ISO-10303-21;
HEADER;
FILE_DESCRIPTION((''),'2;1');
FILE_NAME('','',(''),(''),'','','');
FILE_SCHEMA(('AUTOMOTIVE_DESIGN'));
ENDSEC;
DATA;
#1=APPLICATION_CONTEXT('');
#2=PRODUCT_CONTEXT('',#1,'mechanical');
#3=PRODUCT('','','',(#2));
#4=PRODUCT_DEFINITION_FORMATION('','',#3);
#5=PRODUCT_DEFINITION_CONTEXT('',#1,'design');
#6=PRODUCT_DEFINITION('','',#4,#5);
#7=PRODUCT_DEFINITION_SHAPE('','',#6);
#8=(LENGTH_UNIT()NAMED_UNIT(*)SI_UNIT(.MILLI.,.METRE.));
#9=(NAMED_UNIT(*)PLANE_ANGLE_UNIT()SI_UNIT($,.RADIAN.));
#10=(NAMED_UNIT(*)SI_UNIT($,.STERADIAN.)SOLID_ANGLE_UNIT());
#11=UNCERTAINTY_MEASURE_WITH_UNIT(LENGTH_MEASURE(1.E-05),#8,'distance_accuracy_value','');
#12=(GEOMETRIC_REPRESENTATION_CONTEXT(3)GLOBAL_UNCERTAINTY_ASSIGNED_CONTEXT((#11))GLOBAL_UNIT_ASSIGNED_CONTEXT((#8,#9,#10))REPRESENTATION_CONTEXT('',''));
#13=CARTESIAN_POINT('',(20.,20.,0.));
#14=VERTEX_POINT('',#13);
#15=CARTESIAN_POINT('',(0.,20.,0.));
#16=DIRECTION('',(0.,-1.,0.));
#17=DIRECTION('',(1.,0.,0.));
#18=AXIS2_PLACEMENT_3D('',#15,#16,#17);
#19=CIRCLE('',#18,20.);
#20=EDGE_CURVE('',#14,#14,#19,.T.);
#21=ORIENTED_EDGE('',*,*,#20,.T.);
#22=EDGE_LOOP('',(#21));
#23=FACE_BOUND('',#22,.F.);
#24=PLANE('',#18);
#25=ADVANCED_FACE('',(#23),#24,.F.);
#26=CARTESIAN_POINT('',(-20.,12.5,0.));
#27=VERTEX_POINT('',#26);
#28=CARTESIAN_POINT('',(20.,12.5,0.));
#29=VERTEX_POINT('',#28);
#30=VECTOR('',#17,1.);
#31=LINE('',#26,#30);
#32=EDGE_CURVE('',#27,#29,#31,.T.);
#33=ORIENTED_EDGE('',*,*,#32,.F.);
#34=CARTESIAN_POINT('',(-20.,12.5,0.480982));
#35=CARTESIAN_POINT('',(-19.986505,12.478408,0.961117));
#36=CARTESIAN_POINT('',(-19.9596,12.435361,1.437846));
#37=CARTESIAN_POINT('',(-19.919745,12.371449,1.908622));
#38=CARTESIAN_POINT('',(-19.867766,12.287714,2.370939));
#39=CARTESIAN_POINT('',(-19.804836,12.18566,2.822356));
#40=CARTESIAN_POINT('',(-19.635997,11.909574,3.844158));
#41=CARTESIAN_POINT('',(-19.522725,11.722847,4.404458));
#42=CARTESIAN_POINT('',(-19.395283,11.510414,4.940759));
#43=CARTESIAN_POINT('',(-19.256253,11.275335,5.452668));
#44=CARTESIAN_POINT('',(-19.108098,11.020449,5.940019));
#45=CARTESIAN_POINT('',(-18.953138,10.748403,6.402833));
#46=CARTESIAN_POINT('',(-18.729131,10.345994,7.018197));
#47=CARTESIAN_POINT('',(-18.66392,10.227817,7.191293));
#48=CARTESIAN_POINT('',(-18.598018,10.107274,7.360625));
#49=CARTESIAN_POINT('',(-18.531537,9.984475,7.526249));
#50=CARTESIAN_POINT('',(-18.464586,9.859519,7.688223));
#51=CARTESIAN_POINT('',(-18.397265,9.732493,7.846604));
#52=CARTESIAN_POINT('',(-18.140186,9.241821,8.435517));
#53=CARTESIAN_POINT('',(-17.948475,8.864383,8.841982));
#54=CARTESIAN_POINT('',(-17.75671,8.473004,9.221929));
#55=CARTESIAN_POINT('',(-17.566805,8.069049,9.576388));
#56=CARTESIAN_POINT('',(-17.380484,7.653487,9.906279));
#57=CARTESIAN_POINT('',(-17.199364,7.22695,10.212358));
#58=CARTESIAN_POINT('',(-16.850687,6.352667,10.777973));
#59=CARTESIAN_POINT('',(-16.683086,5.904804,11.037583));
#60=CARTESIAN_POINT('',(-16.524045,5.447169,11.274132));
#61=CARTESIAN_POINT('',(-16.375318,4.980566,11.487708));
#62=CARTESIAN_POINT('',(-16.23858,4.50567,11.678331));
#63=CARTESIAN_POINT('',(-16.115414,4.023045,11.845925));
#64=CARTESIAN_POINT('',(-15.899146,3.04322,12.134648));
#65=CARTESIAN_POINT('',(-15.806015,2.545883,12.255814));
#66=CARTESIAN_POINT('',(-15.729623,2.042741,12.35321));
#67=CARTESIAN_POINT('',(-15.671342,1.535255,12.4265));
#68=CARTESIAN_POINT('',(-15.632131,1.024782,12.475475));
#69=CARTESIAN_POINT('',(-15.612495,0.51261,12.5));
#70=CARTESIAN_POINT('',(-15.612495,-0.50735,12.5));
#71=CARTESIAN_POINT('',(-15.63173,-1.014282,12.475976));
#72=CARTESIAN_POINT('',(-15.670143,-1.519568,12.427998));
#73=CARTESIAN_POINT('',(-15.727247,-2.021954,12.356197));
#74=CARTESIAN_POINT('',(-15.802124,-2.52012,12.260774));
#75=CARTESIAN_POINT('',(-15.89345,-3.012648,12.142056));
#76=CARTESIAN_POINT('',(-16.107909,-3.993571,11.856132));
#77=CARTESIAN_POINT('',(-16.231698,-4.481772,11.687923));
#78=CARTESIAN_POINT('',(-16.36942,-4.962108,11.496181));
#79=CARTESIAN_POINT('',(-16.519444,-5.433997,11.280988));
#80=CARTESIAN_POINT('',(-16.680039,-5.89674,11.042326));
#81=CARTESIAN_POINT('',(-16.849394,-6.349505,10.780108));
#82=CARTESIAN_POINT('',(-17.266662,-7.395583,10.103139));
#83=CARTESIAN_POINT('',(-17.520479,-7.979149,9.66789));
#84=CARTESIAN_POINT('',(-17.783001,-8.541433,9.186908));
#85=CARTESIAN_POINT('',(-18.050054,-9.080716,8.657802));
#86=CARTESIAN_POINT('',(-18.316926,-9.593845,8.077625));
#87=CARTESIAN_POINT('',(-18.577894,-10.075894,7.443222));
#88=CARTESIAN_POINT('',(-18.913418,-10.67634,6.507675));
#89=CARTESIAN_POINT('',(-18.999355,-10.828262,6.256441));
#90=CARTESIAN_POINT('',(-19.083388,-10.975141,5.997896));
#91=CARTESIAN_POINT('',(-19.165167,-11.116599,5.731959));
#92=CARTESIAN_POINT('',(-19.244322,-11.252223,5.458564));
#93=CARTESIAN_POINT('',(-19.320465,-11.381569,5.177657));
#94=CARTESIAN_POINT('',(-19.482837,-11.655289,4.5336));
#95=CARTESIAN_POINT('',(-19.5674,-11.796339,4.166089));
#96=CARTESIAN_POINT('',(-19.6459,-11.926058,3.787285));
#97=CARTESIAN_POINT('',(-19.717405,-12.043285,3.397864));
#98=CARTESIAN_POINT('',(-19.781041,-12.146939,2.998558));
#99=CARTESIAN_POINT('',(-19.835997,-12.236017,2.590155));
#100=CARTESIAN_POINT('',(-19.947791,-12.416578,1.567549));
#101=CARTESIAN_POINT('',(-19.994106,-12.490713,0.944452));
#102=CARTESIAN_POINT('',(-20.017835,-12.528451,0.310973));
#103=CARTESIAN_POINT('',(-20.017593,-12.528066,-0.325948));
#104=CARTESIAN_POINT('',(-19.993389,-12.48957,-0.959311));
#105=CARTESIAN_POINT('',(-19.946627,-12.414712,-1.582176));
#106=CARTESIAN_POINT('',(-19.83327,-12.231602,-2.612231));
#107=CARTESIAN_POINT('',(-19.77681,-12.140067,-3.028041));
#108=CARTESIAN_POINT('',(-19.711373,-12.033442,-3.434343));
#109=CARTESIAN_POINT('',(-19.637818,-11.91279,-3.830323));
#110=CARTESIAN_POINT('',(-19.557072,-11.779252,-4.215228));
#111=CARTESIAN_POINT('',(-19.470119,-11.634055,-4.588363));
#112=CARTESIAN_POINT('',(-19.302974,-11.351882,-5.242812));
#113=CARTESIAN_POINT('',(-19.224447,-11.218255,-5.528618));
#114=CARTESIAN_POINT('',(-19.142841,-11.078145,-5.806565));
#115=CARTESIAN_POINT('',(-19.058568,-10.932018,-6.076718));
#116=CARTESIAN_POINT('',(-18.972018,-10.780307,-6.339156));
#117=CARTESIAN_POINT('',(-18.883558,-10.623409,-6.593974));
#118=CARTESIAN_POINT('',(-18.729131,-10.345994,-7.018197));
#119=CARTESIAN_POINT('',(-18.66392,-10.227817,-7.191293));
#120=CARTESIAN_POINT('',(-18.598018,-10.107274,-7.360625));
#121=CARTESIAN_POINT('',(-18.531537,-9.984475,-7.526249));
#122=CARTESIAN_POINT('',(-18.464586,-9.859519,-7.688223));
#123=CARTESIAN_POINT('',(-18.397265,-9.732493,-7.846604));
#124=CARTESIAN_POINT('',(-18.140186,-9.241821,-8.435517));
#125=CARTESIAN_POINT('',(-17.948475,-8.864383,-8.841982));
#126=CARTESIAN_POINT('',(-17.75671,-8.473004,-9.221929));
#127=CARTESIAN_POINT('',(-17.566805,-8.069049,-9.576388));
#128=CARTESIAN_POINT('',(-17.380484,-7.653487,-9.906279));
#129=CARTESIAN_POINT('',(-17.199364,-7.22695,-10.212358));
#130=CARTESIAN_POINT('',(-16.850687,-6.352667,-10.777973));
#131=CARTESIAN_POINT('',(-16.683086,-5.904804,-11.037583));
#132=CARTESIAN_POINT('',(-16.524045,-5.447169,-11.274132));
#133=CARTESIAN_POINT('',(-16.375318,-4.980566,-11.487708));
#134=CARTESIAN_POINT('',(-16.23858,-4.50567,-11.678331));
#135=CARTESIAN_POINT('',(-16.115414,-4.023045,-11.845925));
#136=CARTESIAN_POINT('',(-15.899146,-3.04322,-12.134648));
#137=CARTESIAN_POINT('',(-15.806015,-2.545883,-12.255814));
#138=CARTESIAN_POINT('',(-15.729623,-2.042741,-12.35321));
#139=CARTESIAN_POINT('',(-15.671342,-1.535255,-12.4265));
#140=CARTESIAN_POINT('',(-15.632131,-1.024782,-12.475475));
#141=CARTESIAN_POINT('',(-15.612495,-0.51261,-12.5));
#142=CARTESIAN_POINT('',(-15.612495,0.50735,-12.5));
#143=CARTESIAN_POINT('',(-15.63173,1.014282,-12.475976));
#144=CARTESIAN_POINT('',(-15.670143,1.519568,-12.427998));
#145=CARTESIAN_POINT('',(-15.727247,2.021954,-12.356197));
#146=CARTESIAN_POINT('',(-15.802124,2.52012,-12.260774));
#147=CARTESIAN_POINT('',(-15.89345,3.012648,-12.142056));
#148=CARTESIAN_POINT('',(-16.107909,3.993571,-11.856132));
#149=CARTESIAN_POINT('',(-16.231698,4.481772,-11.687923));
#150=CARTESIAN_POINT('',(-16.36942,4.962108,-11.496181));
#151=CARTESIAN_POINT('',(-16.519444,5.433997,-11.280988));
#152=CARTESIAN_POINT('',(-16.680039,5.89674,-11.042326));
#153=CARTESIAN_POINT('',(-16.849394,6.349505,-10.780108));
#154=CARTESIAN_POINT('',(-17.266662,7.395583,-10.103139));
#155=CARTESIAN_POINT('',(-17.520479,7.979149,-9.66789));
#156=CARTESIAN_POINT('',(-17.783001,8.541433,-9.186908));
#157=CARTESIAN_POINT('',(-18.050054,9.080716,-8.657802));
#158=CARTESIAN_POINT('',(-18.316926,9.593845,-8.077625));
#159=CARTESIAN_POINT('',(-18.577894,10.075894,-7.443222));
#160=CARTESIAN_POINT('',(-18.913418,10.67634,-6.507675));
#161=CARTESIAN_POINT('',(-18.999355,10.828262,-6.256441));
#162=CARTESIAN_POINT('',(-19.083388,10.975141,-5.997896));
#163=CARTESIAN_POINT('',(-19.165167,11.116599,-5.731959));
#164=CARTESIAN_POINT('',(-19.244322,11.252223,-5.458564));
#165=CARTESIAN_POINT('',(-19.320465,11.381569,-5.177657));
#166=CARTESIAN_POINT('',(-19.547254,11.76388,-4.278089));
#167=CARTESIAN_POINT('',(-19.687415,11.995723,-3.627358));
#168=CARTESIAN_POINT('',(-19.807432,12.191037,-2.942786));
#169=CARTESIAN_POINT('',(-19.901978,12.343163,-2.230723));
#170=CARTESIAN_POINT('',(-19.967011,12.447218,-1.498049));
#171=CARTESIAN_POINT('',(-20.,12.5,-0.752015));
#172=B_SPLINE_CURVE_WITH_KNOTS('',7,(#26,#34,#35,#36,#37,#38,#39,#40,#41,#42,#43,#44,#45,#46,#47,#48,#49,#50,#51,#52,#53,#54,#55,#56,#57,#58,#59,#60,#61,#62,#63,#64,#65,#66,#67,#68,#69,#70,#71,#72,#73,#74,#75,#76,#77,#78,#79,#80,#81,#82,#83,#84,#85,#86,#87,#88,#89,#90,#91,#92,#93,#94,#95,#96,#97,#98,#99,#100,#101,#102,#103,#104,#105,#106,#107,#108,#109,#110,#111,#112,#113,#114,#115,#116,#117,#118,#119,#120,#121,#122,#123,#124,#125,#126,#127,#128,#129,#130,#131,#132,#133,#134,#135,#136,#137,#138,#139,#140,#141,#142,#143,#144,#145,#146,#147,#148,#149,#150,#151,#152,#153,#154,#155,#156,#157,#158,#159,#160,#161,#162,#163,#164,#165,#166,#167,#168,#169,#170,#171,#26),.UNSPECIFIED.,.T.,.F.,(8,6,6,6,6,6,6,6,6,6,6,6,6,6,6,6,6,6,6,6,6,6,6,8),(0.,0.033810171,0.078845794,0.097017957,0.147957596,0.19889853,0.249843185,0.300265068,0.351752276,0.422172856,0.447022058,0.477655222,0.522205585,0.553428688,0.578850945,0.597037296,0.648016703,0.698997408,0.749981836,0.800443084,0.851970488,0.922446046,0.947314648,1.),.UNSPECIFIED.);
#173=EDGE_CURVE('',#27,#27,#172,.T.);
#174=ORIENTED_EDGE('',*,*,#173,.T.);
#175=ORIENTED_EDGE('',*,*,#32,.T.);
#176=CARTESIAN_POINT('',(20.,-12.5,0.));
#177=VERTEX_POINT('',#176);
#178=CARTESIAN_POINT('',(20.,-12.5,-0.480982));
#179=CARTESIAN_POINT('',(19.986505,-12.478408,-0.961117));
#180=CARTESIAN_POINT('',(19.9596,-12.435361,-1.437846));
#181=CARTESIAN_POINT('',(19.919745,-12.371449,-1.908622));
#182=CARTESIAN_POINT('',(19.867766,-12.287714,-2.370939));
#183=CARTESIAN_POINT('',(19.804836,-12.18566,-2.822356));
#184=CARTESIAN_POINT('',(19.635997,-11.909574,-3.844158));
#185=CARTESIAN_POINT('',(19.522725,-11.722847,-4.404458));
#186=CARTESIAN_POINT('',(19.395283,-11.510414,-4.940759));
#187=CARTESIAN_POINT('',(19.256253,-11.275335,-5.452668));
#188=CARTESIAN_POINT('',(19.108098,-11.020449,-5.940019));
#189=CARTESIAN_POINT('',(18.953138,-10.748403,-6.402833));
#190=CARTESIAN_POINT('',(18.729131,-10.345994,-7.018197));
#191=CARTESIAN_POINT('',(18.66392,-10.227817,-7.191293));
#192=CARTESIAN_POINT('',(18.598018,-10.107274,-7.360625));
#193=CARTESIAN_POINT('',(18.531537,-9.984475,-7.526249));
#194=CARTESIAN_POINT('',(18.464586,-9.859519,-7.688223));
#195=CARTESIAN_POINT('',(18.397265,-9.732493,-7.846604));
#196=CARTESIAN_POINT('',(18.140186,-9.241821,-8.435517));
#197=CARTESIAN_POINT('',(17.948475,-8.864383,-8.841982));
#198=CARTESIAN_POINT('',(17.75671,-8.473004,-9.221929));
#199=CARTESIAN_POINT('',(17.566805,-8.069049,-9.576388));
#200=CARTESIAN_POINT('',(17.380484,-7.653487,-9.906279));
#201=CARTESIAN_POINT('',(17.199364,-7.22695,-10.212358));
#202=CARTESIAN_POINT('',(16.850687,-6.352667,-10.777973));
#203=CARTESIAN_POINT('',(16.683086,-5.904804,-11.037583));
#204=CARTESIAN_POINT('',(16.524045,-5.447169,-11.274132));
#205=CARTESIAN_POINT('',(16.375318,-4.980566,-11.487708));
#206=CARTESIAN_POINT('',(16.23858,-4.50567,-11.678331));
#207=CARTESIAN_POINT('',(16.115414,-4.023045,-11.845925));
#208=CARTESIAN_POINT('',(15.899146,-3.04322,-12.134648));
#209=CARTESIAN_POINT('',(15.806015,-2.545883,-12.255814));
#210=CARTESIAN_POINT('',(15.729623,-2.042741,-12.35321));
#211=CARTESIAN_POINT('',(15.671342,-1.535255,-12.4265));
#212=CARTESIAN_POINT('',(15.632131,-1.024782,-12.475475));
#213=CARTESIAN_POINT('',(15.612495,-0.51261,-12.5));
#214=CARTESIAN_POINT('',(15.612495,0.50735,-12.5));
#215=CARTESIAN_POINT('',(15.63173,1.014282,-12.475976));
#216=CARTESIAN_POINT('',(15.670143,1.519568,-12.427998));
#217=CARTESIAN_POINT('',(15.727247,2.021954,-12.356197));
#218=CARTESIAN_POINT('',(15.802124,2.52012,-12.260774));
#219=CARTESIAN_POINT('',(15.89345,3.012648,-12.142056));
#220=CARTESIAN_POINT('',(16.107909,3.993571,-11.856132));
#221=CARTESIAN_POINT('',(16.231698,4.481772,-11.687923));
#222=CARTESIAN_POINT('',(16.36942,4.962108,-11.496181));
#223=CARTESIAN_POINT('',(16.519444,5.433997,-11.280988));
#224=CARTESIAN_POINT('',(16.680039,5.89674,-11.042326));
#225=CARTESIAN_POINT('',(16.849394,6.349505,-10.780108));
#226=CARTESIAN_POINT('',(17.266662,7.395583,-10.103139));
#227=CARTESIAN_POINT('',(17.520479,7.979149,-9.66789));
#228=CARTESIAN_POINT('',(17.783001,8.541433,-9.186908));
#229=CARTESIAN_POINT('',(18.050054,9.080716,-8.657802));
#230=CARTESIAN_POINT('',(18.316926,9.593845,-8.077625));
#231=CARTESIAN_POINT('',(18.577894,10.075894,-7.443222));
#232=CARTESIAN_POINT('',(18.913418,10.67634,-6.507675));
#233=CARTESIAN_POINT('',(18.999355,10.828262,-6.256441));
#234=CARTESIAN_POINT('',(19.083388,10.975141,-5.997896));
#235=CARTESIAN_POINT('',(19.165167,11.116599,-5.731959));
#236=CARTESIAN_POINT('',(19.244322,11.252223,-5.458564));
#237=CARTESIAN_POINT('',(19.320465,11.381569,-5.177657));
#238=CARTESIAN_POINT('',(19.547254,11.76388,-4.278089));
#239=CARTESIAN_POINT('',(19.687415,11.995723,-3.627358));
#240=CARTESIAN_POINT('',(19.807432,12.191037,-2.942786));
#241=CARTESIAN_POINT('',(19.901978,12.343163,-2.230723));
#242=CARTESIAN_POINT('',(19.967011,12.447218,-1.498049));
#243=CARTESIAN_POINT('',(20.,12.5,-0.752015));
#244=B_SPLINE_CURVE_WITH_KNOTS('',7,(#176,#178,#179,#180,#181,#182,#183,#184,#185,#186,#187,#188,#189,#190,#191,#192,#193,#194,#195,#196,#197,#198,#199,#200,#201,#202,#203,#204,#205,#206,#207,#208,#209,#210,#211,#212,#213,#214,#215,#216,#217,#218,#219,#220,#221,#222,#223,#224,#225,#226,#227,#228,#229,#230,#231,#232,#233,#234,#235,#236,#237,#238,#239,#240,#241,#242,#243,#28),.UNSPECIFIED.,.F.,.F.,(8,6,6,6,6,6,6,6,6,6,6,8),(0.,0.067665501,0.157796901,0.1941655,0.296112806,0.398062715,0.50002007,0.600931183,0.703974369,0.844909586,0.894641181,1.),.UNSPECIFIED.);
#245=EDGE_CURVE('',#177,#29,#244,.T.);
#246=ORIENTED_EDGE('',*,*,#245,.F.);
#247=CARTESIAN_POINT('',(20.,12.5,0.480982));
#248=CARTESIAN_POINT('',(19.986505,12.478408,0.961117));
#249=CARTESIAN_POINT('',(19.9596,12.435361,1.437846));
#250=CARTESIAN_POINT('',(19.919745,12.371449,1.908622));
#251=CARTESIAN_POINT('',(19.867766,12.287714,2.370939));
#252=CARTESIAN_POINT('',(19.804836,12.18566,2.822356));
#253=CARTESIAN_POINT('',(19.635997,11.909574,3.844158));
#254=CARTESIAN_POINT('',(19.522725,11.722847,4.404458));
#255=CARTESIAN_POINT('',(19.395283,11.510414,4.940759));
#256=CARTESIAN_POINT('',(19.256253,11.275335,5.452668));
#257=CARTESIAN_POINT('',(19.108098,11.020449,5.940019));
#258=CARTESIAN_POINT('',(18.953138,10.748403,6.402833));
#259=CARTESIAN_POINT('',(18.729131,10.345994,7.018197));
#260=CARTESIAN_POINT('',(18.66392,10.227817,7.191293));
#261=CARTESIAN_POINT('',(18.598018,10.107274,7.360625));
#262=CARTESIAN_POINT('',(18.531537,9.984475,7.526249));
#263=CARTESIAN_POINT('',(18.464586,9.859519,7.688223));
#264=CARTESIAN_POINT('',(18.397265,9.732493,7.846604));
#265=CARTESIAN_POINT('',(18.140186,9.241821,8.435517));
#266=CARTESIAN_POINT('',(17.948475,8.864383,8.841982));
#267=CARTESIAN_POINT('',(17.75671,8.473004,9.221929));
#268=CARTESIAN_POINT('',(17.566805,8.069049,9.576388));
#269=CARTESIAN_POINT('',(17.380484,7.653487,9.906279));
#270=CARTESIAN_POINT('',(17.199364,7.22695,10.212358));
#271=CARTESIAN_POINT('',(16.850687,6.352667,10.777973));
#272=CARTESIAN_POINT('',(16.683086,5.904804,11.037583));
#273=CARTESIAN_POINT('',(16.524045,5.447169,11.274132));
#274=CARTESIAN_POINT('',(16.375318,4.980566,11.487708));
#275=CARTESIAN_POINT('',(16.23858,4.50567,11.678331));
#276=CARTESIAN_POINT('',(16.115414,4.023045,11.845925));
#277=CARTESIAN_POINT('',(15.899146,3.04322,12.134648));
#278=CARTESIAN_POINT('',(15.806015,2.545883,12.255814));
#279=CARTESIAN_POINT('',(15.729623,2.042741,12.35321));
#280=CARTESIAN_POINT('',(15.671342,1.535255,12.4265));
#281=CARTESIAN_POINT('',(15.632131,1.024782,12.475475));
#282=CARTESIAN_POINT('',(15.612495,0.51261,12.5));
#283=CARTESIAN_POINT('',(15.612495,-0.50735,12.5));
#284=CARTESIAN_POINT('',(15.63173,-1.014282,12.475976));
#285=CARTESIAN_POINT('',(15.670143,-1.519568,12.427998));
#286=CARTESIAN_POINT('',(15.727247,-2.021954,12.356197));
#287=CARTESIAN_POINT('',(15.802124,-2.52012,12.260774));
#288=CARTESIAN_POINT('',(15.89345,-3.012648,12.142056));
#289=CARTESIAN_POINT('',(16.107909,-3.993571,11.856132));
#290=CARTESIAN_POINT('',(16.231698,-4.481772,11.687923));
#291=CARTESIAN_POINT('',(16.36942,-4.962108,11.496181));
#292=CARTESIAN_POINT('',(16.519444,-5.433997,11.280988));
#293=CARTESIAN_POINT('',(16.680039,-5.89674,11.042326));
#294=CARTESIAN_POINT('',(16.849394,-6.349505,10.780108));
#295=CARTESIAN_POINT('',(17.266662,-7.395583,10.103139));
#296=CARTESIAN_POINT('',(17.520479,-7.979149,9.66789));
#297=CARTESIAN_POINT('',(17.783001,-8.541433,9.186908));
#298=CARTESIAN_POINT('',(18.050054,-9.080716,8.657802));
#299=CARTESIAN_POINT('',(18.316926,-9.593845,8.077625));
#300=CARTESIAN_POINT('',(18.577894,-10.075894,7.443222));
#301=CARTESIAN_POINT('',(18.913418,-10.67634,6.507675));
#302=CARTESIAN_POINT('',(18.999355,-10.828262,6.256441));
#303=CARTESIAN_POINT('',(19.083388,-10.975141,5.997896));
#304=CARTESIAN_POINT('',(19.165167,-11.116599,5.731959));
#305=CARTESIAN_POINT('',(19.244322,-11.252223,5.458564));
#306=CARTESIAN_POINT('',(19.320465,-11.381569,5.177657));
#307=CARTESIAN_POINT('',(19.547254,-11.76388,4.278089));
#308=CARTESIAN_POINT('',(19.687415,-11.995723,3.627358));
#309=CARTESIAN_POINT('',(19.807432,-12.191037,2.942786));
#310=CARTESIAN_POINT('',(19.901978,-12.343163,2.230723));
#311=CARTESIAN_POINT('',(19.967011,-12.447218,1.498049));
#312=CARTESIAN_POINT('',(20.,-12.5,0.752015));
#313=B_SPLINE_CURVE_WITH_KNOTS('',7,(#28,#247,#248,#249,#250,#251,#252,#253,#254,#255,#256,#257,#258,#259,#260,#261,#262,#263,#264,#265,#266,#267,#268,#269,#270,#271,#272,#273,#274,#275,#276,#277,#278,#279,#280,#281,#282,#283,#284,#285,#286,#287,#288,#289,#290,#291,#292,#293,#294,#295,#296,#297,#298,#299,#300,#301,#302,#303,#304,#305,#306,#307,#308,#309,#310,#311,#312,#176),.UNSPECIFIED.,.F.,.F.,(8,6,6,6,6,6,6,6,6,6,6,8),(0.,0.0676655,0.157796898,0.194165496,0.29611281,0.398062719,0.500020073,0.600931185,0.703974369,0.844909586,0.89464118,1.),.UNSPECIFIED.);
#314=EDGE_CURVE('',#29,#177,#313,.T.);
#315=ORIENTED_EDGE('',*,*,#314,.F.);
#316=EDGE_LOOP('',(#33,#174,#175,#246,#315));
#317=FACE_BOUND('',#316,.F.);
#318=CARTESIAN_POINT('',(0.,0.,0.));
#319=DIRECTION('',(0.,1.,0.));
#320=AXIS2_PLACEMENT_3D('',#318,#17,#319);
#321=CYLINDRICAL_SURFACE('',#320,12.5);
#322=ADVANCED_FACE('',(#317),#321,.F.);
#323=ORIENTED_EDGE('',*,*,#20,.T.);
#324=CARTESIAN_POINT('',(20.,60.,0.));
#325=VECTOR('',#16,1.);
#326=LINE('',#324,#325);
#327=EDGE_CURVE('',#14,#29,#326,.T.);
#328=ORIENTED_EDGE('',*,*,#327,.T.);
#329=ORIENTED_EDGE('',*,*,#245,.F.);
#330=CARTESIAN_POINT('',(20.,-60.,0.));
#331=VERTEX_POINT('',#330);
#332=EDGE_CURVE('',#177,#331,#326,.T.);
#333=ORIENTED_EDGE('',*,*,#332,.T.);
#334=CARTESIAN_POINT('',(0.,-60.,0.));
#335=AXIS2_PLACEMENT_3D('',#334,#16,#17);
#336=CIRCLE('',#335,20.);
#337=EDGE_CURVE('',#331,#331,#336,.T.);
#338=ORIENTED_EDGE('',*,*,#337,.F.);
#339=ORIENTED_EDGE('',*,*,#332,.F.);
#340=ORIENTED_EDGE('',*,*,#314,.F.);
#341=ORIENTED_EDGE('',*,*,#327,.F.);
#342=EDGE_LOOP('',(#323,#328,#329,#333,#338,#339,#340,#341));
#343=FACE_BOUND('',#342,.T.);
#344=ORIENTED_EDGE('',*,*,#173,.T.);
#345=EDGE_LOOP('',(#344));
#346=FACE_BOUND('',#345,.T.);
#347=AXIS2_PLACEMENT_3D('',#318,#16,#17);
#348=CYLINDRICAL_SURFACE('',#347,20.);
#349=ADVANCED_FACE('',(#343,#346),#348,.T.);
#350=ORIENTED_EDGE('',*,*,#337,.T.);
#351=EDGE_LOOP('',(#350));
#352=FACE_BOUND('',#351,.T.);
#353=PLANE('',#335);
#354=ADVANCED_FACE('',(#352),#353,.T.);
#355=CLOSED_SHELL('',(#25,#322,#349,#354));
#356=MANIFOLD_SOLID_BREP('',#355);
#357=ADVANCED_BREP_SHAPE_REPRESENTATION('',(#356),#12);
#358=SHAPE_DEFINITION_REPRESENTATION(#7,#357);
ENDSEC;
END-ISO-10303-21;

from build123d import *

# Parameters (mm, degrees)
F0_R     = 20
F1_DEPTH = 60
F2_R     = 12.5
F3_DEPTH = 20
F4_DEPTH = 20
F5_DEPTH = 20


with BuildPart() as f1:
    # F0 (on Front) → F1 (new body, symmetric)
    with BuildSketch(Plane.XZ):
        Circle(F0_R)
    extrude(amount=F1_DEPTH, both=True)

    # F2 (on Right) → F3 (cut, symmetric)
    with BuildSketch(Plane.YZ):
        Circle(F2_R)
    extrude(amount=F3_DEPTH, both=True, mode=Mode.SUBTRACT)

    # F4 (cut, symmetric): a face of the model
    f4_faces = [f1.faces().sort_by_distance(p)[0] for p in [
        (0, 60, 0),
    ]]
    extrude(f4_faces, amount=F4_DEPTH, both=True, mode=Mode.SUBTRACT)

    # F5 (cut, symmetric): a face of the model
    f5_faces = [f1.faces().sort_by_distance(p)[0] for p in [
        (0, 40, 0),
    ]]
    extrude(f5_faces, amount=F5_DEPTH, both=True, mode=Mode.SUBTRACT)


solid = f1.part
